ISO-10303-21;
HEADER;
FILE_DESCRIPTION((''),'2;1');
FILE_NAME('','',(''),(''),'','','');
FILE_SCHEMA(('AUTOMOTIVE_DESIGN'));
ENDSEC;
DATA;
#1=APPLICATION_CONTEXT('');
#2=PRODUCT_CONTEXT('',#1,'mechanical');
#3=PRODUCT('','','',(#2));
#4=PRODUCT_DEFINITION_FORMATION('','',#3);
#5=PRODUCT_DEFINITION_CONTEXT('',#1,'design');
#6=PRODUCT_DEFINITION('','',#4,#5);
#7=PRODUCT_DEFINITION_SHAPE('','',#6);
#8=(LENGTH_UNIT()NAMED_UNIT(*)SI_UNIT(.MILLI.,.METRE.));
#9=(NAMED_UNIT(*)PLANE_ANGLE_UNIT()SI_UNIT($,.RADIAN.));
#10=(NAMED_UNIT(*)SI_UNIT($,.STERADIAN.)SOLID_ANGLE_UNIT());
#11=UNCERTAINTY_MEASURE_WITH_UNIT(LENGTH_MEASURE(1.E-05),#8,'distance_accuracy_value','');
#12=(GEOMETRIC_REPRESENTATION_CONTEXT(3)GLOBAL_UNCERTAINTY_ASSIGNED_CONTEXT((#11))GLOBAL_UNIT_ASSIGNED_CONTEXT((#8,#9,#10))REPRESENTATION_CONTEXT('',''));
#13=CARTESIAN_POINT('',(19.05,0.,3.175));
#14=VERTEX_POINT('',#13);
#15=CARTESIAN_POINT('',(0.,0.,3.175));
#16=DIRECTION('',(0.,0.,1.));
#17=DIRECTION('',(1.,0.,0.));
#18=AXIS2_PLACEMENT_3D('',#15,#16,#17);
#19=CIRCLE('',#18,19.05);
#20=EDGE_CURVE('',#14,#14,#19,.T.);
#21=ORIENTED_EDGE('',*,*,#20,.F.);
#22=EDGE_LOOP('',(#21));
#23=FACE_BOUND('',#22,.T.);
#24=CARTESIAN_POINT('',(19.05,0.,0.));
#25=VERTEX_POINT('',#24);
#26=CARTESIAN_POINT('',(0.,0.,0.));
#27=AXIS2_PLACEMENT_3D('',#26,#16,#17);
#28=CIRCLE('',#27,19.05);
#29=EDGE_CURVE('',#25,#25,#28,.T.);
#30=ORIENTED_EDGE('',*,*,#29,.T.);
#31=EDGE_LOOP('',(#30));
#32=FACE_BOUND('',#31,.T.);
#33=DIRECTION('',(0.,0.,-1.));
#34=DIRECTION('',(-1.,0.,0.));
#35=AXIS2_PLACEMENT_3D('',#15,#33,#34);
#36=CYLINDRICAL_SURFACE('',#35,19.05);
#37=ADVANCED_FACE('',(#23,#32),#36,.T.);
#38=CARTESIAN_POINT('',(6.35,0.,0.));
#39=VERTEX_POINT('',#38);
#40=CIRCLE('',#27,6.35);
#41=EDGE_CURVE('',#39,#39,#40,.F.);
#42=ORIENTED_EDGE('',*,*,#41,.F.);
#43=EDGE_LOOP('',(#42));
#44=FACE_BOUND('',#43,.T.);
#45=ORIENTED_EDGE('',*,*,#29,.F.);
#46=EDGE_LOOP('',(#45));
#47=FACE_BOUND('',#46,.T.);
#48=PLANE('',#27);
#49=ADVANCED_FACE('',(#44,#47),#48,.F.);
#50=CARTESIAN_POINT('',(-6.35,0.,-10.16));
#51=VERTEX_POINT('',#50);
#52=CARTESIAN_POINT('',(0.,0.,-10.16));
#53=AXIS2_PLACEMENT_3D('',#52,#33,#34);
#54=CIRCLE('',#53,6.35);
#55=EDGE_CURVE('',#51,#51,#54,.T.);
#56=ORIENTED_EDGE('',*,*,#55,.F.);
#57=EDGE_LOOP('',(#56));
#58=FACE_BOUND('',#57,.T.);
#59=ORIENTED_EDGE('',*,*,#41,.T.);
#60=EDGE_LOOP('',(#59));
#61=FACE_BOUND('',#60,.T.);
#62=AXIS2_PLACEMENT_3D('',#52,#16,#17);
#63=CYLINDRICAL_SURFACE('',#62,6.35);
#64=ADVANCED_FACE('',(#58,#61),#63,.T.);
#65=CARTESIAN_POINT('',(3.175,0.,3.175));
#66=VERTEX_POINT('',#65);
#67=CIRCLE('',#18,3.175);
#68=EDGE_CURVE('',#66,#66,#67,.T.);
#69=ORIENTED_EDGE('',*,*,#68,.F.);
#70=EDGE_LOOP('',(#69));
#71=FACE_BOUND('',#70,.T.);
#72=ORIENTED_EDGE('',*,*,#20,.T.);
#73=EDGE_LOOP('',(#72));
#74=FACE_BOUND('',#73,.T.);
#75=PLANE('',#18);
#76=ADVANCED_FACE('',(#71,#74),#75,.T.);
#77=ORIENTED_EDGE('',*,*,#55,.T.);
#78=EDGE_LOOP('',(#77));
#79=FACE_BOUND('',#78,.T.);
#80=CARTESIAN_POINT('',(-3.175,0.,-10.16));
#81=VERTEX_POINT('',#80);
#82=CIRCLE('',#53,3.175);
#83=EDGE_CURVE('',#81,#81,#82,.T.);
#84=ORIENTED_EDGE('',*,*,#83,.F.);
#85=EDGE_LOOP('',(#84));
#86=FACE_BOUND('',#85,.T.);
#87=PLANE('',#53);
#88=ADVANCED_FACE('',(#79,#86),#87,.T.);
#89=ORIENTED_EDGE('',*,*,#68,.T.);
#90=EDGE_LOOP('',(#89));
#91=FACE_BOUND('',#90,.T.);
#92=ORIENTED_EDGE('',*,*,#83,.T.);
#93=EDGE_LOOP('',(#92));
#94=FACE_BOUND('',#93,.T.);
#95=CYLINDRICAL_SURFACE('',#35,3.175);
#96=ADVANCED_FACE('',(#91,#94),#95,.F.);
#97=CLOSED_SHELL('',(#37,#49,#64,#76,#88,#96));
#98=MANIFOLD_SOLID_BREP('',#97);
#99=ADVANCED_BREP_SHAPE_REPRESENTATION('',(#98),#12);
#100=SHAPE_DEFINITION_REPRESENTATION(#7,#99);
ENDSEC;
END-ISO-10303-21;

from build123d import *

# Parameters (mm, degrees)
SKETCH1_R           = 19.05
SKETCH1_R_2         = 3.175
BOSS_EXTRUDE1_DEPTH = 3.175
SKETCH2_R           = 6.35
SKETCH2_R_2         = 3.175
BOSS_EXTRUDE2_DEPTH = 10.16


with BuildPart() as part:
    # Sketch1 → Boss-Extrude1 (new body)
    with BuildSketch(Plane.XY):
        Circle(SKETCH1_R)
        Circle(SKETCH1_R_2, mode=Mode.SUBTRACT)
    extrude(amount=BOSS_EXTRUDE1_DEPTH)

    # Sketch2 → Boss-Extrude2 (add)
    with BuildSketch(Plane(origin=(0, 0, 0), x_dir=(-1, 0, 0), z_dir=(0, 0, -1))):
        Circle(SKETCH2_R)
        Circle(SKETCH2_R_2, mode=Mode.SUBTRACT)
    extrude(amount=BOSS_EXTRUDE2_DEPTH)


solid = part.part
